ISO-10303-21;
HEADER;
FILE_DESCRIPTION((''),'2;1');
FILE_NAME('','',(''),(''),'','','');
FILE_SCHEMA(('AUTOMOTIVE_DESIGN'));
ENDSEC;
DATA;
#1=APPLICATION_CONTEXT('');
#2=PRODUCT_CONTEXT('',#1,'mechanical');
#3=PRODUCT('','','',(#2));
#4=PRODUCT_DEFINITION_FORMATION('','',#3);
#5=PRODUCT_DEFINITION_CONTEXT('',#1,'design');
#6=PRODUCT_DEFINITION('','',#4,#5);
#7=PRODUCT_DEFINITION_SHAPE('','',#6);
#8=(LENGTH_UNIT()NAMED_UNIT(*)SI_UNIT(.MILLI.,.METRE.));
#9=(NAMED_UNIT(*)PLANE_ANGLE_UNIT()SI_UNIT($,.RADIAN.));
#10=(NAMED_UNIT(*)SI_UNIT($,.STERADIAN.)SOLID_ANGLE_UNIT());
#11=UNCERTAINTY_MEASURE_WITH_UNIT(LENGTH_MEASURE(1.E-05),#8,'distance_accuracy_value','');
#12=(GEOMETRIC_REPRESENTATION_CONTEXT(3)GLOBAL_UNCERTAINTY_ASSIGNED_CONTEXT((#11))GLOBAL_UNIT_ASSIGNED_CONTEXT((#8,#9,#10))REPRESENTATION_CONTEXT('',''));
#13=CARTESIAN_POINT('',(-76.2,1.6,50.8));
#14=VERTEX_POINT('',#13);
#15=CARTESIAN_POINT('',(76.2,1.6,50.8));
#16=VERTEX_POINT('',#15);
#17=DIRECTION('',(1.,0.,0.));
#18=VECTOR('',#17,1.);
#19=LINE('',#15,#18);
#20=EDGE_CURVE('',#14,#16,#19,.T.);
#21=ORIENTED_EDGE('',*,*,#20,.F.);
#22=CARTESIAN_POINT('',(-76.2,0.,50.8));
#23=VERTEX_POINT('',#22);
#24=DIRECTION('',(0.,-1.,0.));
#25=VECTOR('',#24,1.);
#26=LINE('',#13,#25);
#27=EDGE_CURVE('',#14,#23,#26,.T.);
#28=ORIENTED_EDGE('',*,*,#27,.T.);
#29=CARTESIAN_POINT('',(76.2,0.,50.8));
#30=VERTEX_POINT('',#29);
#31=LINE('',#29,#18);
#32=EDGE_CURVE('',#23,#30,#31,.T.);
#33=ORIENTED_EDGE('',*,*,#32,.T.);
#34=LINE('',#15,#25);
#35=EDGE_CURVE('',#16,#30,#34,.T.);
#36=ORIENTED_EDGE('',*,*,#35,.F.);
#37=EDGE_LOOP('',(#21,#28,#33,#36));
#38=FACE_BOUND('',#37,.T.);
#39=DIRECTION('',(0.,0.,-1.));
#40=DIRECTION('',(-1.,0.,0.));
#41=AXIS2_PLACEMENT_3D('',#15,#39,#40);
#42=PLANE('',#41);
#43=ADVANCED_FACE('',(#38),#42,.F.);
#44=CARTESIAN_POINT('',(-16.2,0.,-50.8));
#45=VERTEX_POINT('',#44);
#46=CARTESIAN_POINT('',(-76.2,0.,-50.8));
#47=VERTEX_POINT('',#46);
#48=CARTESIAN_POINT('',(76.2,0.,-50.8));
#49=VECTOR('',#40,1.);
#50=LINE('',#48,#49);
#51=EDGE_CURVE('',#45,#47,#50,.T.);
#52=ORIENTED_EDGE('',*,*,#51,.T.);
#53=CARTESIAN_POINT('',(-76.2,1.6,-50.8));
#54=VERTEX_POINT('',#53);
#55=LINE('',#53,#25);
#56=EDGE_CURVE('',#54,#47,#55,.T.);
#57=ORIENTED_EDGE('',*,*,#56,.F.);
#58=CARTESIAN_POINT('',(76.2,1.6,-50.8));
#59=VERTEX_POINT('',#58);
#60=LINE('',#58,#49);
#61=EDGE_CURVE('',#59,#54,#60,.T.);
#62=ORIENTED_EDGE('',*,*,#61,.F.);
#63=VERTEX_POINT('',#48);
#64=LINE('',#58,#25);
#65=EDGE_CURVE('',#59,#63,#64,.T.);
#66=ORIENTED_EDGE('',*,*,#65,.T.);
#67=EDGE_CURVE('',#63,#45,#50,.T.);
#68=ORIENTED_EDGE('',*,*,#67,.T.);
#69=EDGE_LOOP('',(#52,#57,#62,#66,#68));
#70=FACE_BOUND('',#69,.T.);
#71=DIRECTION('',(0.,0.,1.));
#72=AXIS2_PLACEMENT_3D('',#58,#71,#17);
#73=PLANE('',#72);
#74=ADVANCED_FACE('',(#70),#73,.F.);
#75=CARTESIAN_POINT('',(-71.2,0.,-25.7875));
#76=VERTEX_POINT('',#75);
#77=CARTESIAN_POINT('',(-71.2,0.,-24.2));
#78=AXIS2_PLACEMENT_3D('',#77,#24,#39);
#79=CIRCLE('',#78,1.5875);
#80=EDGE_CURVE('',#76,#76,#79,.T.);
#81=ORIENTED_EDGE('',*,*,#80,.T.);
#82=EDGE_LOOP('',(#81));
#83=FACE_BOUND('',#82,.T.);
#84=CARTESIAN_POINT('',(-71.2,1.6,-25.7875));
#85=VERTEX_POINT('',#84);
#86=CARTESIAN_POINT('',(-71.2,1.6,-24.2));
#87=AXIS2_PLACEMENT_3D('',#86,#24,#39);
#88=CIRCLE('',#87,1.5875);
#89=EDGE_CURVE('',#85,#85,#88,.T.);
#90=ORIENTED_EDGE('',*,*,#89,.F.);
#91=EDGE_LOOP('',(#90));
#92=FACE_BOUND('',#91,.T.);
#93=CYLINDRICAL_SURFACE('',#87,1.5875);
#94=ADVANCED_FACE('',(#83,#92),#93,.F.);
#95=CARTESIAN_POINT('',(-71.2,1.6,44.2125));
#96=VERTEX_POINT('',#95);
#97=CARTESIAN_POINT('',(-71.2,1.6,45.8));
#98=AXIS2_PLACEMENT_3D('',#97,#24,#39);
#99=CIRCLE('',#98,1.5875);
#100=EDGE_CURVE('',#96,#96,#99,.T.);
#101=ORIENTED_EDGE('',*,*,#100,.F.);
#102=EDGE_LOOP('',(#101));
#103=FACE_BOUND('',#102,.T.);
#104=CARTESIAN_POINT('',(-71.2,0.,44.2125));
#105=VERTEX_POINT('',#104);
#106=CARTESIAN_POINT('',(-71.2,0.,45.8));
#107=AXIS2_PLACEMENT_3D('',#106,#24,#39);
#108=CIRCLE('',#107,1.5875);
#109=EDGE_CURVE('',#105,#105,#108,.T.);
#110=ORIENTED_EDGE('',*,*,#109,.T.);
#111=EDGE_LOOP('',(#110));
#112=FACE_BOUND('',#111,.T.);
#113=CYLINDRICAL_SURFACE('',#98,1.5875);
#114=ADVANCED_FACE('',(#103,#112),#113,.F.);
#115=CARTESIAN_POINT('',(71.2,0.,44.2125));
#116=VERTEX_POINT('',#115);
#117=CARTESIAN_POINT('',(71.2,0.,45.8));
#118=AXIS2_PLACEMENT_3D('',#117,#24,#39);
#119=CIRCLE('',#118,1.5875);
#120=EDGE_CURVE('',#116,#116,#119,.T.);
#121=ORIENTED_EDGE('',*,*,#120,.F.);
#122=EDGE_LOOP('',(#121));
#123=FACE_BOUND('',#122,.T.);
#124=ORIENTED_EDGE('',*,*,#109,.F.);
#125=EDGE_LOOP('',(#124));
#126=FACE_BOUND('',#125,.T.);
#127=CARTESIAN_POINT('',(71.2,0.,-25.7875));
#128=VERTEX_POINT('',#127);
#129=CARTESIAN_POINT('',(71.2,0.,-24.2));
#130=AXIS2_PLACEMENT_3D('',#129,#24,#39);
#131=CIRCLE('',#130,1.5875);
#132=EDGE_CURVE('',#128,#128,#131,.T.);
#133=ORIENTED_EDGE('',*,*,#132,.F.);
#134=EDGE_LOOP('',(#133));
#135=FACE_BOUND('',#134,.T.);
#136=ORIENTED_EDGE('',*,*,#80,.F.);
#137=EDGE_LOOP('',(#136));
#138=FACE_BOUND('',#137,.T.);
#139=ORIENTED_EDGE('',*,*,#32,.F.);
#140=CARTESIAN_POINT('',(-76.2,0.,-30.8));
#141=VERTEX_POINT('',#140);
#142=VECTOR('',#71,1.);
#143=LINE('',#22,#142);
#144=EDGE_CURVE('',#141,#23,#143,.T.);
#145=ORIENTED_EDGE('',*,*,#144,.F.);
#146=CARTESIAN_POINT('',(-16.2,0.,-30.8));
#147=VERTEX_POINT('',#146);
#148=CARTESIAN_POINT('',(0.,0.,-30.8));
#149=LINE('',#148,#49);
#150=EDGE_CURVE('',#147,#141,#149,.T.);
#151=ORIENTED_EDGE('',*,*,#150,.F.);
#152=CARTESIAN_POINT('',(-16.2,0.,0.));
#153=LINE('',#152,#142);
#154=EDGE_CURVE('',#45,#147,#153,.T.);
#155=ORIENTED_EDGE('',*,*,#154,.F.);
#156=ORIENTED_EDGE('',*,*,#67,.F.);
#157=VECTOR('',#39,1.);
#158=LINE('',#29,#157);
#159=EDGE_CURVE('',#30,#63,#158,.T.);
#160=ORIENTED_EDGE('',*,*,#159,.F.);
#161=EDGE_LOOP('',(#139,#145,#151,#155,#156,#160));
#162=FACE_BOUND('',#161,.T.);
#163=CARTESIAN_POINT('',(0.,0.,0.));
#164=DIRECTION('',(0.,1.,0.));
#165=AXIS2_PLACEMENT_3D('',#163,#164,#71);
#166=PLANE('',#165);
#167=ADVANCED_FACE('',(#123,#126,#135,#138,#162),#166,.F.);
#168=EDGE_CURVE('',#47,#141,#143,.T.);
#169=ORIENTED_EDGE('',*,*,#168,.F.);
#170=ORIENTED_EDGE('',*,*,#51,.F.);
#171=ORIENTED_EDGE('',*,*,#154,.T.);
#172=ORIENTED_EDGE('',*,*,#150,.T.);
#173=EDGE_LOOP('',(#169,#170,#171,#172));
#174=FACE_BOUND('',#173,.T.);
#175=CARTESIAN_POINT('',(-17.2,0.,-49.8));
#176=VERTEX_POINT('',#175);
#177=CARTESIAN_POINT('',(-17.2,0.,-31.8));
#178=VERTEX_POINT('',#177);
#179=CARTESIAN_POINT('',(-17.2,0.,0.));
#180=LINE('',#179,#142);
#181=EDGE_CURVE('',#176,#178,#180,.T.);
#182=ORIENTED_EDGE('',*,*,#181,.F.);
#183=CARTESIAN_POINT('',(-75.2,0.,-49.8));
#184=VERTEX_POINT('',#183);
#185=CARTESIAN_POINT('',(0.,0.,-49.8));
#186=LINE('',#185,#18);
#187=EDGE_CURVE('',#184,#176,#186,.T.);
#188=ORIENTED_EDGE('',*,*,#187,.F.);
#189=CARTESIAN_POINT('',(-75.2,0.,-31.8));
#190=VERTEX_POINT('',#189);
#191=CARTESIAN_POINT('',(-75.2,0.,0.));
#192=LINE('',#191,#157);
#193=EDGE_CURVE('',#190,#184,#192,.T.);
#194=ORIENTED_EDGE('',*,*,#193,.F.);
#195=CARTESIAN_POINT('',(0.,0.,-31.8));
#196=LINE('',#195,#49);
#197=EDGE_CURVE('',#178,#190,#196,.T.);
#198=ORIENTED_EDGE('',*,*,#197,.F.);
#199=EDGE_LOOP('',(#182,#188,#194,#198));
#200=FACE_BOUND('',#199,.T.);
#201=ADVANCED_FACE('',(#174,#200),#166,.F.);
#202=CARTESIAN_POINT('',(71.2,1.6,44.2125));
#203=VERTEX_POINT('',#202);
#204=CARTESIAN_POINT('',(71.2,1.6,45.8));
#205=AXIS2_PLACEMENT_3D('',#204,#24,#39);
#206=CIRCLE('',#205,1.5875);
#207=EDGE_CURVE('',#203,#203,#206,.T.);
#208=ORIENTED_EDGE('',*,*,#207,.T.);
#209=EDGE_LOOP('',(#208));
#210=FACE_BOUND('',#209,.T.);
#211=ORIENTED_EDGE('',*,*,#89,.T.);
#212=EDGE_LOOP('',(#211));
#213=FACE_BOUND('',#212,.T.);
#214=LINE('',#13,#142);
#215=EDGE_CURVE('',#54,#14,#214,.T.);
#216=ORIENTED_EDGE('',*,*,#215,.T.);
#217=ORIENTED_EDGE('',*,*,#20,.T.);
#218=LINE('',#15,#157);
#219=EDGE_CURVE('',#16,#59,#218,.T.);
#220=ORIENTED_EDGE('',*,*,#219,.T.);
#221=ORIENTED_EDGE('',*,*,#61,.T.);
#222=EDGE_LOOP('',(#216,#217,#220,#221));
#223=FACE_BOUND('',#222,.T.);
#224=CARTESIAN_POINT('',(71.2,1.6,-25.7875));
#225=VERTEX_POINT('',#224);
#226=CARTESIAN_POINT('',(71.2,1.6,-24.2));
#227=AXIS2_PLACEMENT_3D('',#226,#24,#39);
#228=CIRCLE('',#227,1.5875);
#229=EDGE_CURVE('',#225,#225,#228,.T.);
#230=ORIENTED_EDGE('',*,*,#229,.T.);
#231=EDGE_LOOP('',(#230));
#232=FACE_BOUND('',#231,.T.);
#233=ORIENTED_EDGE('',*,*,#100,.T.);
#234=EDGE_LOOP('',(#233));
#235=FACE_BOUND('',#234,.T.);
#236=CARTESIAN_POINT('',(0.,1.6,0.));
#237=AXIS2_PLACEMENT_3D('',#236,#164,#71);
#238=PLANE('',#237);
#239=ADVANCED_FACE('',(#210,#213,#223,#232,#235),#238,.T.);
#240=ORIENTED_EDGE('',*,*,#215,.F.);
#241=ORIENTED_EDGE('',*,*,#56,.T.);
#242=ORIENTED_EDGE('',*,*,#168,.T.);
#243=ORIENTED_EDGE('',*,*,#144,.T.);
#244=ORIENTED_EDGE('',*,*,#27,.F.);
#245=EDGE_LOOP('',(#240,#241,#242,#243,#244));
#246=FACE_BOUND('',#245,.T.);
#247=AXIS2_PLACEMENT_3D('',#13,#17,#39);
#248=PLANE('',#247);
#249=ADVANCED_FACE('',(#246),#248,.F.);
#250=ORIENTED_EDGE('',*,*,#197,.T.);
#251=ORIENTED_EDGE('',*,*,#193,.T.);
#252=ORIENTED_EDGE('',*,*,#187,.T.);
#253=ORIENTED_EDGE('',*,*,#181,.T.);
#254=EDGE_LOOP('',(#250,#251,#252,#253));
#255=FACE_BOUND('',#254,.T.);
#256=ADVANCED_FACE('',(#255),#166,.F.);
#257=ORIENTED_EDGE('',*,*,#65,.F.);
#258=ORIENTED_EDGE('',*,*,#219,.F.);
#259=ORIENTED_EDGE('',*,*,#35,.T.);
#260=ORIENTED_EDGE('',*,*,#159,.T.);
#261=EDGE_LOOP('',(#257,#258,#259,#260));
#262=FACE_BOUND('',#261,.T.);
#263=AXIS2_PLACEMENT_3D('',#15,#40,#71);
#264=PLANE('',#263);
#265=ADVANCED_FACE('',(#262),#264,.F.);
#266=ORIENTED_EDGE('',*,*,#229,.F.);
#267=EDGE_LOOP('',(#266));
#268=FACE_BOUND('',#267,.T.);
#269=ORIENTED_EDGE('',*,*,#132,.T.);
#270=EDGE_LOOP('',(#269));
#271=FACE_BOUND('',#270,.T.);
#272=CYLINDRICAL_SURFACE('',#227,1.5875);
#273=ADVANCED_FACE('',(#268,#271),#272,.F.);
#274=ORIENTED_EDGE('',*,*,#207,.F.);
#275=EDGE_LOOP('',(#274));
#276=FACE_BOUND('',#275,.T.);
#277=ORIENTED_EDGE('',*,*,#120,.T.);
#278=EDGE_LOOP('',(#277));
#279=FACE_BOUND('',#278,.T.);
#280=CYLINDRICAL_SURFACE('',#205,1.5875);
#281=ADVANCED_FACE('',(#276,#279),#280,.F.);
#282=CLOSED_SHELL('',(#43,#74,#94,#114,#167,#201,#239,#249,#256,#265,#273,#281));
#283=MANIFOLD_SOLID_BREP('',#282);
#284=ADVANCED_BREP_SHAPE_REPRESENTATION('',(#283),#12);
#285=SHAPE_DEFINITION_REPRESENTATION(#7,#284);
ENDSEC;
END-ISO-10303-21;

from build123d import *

# Parameters (mm, degrees)
SKETCH1_W           = 152.4
SKETCH1_H           = 101.6
BOSS_EXTRUDE1_DEPTH = 1.6
SKETCH3_R           = 1.5875
CUT_EXTRUDE1_DEPTH  = 92.594978028


with BuildPart() as part:
    # Sketch1 → Boss-Extrude1 (new body)
    with BuildSketch(Plane(origin=(0, 0, 0), x_dir=(1, 0, 0), z_dir=(0, 1, 0))):
        Rectangle(SKETCH1_W, SKETCH1_H)
    extrude(amount=BOSS_EXTRUDE1_DEPTH)

    # Sketch3 → Cut-Extrude1 (cut, through all)
    with BuildSketch(Plane.XZ):
        with Locations(Location((-71.2, 45.8, 0), (0, 0, 270))):
            Circle(SKETCH3_R)
        with Locations(Location((-71.2, -24.2, 0), (0, 0, 270))):
            Circle(SKETCH3_R)
        with Locations(Location((71.2, -24.2, 0), (0, 0, 270))):
            Circle(SKETCH3_R)
        with Locations(Location((71.2, 45.8, 0), (0, 0, 270))):
            Circle(SKETCH3_R)
    extrude(amount=-CUT_EXTRUDE1_DEPTH, mode=Mode.SUBTRACT)


solid = part.part
